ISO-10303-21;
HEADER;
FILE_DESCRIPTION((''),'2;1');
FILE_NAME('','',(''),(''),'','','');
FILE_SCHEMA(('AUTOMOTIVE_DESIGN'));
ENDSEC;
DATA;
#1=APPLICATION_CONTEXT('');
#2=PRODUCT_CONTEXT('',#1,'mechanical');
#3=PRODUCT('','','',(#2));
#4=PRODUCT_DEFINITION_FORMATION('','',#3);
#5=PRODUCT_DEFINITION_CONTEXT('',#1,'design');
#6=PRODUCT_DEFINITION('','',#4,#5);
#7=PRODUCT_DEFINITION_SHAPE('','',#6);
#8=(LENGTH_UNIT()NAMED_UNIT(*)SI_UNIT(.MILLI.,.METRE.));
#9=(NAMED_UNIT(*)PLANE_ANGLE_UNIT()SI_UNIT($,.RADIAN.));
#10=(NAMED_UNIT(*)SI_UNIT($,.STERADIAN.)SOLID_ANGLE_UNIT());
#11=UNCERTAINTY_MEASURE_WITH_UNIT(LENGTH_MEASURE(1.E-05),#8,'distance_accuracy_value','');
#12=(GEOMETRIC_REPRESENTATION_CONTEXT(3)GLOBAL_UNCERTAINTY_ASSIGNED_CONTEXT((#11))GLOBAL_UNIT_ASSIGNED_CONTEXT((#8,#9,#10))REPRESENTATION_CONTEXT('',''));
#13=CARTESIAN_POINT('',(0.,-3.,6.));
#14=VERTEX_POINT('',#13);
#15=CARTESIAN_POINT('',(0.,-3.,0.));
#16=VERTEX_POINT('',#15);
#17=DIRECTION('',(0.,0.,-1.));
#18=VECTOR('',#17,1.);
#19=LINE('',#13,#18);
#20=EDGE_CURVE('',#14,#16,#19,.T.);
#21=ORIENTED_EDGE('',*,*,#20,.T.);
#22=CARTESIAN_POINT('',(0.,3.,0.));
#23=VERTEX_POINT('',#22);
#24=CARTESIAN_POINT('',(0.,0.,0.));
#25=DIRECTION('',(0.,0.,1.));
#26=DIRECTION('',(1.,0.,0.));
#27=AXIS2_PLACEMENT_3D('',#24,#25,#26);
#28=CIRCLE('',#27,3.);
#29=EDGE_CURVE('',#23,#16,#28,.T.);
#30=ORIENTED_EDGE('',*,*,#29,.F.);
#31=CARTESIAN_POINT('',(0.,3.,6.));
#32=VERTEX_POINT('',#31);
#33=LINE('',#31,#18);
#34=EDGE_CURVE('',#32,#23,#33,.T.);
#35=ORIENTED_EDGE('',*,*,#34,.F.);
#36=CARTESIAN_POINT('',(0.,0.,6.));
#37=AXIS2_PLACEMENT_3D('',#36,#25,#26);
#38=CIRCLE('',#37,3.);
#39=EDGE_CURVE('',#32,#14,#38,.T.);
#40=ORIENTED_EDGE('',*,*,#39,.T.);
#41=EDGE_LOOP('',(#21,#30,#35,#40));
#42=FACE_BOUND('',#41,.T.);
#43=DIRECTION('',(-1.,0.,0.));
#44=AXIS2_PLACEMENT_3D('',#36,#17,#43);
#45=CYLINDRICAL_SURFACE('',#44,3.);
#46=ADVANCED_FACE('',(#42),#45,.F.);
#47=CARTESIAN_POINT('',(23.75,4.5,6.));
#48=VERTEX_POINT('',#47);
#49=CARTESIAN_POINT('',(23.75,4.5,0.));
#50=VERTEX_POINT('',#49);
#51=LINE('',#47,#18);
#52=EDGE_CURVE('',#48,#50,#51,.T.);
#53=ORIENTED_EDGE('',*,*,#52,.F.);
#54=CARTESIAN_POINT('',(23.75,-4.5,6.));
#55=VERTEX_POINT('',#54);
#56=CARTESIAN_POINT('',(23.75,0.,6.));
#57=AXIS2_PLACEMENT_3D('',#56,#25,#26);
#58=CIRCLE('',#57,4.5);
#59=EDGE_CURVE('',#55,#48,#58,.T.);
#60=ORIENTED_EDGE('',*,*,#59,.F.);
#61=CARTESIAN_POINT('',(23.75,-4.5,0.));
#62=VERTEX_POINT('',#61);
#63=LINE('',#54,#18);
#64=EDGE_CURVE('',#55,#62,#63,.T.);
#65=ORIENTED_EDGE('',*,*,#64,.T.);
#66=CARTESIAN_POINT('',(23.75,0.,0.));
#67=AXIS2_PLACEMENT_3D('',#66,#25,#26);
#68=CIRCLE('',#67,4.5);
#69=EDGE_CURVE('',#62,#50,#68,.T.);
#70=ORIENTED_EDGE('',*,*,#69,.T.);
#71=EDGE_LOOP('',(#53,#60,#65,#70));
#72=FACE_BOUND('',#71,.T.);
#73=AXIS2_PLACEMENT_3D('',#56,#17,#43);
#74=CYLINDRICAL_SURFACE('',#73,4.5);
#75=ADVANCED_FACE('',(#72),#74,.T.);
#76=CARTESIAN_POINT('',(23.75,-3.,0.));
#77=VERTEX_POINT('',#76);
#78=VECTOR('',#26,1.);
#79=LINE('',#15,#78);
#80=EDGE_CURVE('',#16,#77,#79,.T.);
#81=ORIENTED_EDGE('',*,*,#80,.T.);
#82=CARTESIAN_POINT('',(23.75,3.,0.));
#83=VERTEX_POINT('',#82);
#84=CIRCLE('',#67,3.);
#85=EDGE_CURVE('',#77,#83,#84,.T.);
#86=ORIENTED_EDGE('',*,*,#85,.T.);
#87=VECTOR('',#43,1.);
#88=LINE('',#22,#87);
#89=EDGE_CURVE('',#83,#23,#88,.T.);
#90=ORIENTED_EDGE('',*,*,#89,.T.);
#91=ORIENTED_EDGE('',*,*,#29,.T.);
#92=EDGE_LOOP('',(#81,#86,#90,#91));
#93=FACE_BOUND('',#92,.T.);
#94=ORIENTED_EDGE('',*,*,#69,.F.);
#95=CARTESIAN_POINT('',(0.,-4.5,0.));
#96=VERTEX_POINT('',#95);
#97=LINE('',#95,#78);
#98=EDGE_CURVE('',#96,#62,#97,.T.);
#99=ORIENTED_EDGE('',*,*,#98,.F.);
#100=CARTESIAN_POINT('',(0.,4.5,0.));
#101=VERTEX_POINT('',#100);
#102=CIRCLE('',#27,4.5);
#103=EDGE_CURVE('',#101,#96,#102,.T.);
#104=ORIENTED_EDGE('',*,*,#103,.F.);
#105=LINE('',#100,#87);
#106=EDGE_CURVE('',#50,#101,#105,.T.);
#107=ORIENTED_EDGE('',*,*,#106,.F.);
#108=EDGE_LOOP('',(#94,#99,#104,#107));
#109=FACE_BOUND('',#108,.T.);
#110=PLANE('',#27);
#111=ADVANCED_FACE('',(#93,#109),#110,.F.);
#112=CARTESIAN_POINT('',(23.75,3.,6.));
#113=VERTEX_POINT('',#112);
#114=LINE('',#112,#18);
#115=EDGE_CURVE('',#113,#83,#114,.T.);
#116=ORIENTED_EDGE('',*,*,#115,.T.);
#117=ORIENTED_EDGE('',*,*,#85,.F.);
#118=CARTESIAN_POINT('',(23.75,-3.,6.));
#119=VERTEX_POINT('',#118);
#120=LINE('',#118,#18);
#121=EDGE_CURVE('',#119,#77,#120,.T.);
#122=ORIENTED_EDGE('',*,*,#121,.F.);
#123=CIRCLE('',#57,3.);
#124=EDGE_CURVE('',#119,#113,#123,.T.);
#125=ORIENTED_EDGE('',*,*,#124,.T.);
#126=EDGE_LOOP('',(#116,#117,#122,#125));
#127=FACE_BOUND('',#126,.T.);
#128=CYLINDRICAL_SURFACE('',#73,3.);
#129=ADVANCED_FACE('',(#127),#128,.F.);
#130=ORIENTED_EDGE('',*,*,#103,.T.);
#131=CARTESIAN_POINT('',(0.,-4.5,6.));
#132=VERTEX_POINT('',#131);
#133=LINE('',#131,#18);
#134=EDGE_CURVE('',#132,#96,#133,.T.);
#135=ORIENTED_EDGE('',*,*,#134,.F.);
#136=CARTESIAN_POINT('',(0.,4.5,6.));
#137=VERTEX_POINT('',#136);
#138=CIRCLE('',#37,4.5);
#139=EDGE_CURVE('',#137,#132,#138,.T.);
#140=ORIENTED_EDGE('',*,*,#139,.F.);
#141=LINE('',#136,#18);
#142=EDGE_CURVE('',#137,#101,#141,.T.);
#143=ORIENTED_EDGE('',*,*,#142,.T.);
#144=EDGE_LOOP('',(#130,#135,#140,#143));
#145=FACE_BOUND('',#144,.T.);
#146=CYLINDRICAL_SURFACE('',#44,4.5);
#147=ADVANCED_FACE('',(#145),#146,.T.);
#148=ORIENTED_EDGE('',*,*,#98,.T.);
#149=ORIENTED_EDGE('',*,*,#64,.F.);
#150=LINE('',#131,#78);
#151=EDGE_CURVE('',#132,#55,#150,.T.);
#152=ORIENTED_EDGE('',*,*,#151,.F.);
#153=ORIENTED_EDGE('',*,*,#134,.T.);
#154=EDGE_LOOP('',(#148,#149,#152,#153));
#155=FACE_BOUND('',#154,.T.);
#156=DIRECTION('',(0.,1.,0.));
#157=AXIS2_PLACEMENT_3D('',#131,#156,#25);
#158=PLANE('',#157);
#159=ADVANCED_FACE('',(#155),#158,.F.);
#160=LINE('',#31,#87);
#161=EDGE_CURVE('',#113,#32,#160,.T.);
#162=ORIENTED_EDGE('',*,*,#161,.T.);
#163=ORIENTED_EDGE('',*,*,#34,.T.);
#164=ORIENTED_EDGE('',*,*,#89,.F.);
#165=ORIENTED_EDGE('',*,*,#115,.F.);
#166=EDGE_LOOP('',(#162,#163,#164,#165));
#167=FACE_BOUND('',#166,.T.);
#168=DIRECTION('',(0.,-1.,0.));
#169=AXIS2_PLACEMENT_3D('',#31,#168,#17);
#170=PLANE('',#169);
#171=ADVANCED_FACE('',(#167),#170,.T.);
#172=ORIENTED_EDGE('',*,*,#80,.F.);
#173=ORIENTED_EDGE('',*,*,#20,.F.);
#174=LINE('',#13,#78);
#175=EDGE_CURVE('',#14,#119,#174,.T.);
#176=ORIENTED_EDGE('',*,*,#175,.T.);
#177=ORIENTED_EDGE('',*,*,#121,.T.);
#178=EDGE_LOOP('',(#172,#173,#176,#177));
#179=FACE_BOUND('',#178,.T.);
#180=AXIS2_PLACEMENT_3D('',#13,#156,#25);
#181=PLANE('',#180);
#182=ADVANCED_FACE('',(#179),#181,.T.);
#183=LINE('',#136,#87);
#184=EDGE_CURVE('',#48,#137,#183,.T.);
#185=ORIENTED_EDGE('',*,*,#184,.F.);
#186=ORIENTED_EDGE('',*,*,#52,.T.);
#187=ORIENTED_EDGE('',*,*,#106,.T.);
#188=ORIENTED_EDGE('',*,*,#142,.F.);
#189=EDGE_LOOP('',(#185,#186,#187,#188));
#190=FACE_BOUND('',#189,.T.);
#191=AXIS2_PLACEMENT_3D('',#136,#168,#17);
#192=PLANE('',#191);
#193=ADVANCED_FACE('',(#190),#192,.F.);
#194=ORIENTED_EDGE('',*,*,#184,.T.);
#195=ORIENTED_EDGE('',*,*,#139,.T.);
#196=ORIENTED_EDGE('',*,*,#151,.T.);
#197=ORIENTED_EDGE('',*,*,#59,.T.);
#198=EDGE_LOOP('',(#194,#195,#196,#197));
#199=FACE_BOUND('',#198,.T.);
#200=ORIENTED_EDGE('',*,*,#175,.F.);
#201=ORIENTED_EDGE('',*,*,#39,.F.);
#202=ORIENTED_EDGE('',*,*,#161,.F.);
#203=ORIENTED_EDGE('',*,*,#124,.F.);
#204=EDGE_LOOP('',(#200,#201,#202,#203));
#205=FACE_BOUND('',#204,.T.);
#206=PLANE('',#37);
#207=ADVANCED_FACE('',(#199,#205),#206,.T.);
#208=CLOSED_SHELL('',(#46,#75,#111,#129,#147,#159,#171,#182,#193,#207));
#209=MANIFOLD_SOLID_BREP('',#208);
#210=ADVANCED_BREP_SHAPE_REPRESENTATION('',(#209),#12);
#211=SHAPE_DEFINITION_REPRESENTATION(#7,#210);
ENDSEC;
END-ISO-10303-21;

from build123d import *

# Parameters (mm, degrees)
EXTRUDE_1_DEPTH = 6


with BuildPart() as part:
    # 草图1 → 凸台-拉伸1 (new body)
    with BuildSketch(Plane.XY):
        with BuildLine():
            Line((0, 4.5), (23.75, 4.5))
            ThreePointArc((23.75, 4.5), (28.25, 0), (23.75, -4.5))
            Line((23.75, -4.5), (0, -4.5))
            ThreePointArc((0, -4.5), (-4.5, 0), (0, 4.5))
        make_face()
        with BuildLine():
            Line((0, 3), (23.75, 3))
            ThreePointArc((23.75, 3), (26.75, 0), (23.75, -3))
            Line((23.75, -3), (0, -3))
            ThreePointArc((0, -3), (-3, 0), (0, 3))
        make_face(mode=Mode.SUBTRACT)
    extrude(amount=EXTRUDE_1_DEPTH)


solid = part.part
